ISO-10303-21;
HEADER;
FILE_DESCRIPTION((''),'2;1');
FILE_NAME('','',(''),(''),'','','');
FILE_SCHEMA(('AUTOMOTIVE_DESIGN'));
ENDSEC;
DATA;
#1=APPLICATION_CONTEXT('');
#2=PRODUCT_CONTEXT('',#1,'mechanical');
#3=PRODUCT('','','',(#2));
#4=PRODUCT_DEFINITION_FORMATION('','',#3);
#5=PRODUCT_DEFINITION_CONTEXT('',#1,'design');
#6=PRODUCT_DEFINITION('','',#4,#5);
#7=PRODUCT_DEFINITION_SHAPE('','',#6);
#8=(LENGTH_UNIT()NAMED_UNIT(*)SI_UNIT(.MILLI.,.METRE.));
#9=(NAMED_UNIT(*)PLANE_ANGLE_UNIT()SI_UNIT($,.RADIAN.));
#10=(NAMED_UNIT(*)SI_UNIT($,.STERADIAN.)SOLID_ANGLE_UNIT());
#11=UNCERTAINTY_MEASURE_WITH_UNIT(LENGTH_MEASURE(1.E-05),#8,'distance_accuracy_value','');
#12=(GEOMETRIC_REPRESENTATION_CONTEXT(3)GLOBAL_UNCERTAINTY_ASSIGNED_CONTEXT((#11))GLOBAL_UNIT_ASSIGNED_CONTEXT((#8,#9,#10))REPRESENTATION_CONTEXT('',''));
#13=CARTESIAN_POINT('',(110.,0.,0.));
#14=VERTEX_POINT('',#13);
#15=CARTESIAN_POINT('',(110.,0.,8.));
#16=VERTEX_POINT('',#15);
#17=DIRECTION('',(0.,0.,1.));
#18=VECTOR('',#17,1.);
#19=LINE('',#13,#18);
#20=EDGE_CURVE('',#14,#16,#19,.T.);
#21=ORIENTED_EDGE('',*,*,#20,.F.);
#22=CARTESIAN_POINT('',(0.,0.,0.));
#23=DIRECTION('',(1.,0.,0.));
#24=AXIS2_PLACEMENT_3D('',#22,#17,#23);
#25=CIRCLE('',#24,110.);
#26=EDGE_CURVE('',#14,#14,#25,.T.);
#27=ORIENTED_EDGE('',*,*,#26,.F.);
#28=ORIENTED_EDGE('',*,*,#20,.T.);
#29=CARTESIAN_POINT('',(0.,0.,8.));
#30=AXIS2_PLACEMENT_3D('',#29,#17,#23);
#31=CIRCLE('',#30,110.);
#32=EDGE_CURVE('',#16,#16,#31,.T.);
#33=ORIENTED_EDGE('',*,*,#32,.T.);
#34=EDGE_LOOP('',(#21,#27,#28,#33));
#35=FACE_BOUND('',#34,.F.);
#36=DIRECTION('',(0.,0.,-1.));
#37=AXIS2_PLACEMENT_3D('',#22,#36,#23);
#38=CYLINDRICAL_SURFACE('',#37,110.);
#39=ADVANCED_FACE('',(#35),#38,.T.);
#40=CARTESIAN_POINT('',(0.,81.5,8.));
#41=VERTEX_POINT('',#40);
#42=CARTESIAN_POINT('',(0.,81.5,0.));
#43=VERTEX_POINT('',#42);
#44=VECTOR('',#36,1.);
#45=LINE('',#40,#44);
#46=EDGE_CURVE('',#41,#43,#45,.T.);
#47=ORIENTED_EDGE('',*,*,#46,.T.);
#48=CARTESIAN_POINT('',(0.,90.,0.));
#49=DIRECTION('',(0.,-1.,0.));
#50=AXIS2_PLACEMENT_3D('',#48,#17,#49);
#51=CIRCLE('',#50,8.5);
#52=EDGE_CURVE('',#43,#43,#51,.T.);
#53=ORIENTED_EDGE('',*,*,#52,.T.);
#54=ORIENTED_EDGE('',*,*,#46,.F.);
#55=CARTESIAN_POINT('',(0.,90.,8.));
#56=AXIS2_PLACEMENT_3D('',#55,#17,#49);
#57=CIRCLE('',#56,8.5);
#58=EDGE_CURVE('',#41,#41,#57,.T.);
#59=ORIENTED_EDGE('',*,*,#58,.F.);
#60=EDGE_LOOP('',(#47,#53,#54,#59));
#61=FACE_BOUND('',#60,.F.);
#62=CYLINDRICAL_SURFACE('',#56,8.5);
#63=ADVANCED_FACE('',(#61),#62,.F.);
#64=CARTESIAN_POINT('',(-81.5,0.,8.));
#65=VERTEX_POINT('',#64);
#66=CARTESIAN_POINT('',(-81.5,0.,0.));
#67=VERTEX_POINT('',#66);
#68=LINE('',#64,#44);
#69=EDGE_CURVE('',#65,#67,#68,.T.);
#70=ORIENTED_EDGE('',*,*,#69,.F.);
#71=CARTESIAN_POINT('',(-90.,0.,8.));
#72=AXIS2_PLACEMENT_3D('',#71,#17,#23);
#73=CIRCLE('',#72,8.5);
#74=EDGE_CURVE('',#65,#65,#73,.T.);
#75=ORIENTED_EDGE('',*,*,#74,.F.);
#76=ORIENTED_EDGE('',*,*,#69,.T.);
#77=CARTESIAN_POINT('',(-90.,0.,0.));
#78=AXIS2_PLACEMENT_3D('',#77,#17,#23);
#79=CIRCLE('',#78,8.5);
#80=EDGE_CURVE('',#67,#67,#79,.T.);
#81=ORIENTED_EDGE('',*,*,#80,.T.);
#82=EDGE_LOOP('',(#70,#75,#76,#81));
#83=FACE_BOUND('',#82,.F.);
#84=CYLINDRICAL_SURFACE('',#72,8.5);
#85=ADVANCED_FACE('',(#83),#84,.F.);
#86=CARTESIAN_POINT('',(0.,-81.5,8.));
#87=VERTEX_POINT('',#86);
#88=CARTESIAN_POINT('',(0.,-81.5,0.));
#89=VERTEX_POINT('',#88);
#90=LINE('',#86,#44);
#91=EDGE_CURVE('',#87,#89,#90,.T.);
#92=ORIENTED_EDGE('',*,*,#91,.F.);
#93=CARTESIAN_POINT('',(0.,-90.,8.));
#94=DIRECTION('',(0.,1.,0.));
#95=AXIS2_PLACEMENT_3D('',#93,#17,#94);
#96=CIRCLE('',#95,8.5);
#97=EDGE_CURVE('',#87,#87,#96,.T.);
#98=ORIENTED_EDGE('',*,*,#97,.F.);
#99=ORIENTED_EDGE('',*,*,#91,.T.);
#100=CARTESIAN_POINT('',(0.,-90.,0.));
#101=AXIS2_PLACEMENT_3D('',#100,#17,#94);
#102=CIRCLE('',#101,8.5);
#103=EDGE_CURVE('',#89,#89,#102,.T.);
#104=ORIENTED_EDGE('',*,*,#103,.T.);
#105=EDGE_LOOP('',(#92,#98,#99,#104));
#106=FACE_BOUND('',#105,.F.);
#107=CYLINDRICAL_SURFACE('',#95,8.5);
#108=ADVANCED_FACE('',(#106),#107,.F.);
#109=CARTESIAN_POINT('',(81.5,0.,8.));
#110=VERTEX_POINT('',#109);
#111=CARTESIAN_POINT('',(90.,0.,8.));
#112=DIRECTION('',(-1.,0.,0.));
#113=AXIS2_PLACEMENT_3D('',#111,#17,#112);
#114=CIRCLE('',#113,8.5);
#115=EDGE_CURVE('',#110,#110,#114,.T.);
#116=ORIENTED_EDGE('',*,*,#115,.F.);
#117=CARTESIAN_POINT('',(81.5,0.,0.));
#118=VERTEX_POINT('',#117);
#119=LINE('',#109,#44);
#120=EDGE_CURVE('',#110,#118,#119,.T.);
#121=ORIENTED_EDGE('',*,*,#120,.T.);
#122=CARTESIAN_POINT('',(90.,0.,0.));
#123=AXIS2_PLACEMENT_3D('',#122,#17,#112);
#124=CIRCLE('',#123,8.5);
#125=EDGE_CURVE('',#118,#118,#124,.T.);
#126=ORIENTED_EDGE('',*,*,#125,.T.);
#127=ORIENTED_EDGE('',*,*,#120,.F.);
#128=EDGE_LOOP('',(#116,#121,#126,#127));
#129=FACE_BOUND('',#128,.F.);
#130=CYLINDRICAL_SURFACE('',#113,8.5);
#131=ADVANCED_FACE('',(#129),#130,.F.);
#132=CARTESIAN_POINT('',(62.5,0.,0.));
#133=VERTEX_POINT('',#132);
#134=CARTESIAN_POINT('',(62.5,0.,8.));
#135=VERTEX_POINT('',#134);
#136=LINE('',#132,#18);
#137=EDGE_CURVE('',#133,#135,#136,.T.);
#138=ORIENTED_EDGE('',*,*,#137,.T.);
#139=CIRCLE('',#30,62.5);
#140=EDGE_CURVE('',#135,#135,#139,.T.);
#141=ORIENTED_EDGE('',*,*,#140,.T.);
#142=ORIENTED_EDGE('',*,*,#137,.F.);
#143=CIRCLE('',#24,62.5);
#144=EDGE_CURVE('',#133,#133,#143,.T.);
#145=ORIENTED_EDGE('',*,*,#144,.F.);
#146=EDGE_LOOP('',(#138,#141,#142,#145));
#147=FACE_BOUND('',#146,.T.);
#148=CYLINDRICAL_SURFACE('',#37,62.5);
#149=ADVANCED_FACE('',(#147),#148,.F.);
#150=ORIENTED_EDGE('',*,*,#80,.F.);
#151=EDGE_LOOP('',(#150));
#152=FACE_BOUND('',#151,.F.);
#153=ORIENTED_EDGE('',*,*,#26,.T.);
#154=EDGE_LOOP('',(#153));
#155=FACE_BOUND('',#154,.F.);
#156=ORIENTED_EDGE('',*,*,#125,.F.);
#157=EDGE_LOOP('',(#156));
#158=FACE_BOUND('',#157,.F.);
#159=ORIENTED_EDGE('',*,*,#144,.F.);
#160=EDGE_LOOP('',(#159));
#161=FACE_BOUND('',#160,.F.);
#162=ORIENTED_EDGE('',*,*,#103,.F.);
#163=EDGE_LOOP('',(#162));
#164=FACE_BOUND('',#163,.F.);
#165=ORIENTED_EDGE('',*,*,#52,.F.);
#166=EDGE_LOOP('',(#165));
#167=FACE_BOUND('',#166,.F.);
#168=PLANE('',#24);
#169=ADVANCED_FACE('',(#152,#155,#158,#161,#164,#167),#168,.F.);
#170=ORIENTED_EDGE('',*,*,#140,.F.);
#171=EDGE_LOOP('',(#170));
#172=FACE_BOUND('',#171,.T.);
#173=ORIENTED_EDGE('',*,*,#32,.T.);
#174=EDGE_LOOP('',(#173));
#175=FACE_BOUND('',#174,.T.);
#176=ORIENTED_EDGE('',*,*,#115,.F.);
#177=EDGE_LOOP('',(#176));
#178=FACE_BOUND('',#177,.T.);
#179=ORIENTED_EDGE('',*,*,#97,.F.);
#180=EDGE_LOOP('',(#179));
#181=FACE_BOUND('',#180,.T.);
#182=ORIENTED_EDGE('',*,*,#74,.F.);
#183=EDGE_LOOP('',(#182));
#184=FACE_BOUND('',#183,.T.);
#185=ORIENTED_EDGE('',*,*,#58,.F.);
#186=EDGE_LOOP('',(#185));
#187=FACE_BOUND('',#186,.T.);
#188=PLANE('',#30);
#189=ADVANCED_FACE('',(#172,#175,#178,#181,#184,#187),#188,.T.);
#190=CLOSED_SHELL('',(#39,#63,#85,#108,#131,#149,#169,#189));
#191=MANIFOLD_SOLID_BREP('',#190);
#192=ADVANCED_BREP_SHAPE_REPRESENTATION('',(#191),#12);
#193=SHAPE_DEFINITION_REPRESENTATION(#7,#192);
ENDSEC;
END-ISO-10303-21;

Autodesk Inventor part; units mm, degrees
ref_plane "YZ Plane" through (0, 0, 0) normal (1, 0, 0) x (0, 1, 0)
ref_plane "XZ Plane" through (0, 0, 0) normal (0, 1, 0) x (-1, 0, 0)
ref_plane "XY Plane" through (0, 0, 0) normal (0, 0, 1) x (1, 0, 0)
sketch "Sketch2" plane through (0, 0, 0) normal (0, 0, 1) x (1, 0, 0)
  circle A0 centre (0, 0) radius 62.5
  circle A1 centre (0, 0) radius 110
  dimension "d25" = 125
  dimension "d27" = 220
extrude "Plate2" add sketch "Sketch2" along normal blind 8
sketch "Sketch3" plane through (0, 0, 8) normal (0, 0, 1) x (1, 0, 0)
  circle A0 centre (-90, 0) radius 8.5
  circle A1 centre (0, 0) radius 90 construction
  dimension "d28" = 180
  dimension "d15" = 17
extrude "Cut1" cut sketch "Sketch3" against normal blind 8
pattern_circular "Circular Pattern1" count 4 over 360 about axis through (0, 0, -10) along (0, 0, 1) of "Cut1"
equation "\"d17\" = Thickness"
equation "\"d14\" = Thickness"
equation "\"BendReliefWidth\" = Thickness"
equation "\"BendReliefDepth\" = 0.5 * Thickness"
equation "\"CornerReliefSize\" = 4 * Thickness"
equation "\"MinimumRemnant\" = 2 * Thickness"
equation "\"TransitionRadius\" = BendRadius"
equation "\"JacobiRadiusSize\" = BendRadius"
equation "\"GapSize\" = Thickness"
equation "\"Thickness\" = 8"
equation "\"BendRadius\" = 6"
properties part number "APN 1431 FDS flange DN90" material "Steel"
